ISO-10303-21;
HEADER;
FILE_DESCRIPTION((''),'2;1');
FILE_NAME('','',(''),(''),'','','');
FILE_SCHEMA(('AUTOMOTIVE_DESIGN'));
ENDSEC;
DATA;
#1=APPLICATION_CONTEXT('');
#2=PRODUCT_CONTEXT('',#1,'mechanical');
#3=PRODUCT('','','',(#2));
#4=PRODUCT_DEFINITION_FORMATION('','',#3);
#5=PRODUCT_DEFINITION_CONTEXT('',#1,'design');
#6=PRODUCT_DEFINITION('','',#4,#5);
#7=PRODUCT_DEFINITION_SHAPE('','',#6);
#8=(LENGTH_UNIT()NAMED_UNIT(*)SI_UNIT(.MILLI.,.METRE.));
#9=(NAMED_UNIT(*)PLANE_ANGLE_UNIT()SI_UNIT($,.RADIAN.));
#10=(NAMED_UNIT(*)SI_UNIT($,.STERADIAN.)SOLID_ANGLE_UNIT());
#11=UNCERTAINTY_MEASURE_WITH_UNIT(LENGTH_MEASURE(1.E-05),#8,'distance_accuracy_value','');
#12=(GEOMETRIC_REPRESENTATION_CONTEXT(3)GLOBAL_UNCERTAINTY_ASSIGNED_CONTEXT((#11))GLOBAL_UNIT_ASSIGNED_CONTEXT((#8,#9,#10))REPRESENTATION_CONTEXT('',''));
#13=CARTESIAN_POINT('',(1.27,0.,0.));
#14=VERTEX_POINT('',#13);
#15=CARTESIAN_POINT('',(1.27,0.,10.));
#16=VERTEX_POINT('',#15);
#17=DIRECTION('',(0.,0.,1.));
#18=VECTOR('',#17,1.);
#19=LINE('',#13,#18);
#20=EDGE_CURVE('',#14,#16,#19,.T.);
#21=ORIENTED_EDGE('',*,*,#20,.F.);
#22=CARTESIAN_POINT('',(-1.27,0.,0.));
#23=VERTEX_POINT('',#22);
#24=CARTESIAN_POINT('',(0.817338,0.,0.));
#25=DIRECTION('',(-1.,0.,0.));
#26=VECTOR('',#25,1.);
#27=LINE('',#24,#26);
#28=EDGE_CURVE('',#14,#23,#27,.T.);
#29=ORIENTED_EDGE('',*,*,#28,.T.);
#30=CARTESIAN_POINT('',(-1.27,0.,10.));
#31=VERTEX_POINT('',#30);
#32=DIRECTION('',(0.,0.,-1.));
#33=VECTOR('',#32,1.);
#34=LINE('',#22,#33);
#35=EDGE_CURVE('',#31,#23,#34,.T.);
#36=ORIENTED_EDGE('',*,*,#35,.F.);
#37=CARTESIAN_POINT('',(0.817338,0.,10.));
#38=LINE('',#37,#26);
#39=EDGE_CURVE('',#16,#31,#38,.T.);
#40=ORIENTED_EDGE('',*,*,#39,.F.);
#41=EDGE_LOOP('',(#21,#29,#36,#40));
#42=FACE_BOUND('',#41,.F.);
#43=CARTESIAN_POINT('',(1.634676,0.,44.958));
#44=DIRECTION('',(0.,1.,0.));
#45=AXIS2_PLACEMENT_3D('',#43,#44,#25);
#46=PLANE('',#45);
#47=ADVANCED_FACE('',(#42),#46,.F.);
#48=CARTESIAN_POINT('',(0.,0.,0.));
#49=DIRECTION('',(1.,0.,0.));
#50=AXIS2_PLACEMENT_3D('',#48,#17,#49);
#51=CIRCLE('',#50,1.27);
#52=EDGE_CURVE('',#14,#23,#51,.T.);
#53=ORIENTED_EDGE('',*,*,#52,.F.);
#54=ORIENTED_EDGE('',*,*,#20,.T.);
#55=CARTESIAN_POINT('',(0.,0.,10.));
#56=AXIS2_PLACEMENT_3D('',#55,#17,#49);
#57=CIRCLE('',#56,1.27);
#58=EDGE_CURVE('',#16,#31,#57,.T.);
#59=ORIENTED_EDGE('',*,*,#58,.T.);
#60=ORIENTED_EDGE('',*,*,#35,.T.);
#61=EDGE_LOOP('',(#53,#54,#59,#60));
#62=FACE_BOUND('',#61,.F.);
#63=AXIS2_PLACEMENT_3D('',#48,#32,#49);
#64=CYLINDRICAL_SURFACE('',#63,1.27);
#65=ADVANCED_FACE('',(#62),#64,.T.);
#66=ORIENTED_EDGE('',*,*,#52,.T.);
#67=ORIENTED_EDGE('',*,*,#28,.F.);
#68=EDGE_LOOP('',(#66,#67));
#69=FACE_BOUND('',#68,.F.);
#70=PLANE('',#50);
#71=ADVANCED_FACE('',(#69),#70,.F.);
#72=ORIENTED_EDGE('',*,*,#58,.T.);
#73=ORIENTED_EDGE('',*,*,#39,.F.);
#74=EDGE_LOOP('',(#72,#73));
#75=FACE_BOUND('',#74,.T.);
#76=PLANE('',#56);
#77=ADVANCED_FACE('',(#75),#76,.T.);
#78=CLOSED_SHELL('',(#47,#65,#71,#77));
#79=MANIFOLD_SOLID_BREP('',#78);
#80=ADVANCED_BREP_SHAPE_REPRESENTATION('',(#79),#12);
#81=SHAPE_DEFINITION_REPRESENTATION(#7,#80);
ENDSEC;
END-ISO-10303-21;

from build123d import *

# Parameters (mm, degrees)
F0_R     = 1.27
F1_DEPTH = 10
F4_DEPTH = 98.044


with BuildPart() as f1:
    # F0 (on Top) → F1 (new body)
    with BuildSketch(Plane.XY):
        Circle(F0_R)
    extrude(amount=F1_DEPTH)

    # F3 (on offset) → F4 (cut)
    with BuildSketch(Plane.XY.offset(44.958)):
        with BuildLine():
            Line((1.634676, 0), (-1.553878, 0))
            ThreePointArc((-1.553878, 0), (0.040399, -2.121381), (1.634676, 0))
        make_face()
    extrude(amount=-F4_DEPTH, mode=Mode.SUBTRACT)


solid = f1.part
